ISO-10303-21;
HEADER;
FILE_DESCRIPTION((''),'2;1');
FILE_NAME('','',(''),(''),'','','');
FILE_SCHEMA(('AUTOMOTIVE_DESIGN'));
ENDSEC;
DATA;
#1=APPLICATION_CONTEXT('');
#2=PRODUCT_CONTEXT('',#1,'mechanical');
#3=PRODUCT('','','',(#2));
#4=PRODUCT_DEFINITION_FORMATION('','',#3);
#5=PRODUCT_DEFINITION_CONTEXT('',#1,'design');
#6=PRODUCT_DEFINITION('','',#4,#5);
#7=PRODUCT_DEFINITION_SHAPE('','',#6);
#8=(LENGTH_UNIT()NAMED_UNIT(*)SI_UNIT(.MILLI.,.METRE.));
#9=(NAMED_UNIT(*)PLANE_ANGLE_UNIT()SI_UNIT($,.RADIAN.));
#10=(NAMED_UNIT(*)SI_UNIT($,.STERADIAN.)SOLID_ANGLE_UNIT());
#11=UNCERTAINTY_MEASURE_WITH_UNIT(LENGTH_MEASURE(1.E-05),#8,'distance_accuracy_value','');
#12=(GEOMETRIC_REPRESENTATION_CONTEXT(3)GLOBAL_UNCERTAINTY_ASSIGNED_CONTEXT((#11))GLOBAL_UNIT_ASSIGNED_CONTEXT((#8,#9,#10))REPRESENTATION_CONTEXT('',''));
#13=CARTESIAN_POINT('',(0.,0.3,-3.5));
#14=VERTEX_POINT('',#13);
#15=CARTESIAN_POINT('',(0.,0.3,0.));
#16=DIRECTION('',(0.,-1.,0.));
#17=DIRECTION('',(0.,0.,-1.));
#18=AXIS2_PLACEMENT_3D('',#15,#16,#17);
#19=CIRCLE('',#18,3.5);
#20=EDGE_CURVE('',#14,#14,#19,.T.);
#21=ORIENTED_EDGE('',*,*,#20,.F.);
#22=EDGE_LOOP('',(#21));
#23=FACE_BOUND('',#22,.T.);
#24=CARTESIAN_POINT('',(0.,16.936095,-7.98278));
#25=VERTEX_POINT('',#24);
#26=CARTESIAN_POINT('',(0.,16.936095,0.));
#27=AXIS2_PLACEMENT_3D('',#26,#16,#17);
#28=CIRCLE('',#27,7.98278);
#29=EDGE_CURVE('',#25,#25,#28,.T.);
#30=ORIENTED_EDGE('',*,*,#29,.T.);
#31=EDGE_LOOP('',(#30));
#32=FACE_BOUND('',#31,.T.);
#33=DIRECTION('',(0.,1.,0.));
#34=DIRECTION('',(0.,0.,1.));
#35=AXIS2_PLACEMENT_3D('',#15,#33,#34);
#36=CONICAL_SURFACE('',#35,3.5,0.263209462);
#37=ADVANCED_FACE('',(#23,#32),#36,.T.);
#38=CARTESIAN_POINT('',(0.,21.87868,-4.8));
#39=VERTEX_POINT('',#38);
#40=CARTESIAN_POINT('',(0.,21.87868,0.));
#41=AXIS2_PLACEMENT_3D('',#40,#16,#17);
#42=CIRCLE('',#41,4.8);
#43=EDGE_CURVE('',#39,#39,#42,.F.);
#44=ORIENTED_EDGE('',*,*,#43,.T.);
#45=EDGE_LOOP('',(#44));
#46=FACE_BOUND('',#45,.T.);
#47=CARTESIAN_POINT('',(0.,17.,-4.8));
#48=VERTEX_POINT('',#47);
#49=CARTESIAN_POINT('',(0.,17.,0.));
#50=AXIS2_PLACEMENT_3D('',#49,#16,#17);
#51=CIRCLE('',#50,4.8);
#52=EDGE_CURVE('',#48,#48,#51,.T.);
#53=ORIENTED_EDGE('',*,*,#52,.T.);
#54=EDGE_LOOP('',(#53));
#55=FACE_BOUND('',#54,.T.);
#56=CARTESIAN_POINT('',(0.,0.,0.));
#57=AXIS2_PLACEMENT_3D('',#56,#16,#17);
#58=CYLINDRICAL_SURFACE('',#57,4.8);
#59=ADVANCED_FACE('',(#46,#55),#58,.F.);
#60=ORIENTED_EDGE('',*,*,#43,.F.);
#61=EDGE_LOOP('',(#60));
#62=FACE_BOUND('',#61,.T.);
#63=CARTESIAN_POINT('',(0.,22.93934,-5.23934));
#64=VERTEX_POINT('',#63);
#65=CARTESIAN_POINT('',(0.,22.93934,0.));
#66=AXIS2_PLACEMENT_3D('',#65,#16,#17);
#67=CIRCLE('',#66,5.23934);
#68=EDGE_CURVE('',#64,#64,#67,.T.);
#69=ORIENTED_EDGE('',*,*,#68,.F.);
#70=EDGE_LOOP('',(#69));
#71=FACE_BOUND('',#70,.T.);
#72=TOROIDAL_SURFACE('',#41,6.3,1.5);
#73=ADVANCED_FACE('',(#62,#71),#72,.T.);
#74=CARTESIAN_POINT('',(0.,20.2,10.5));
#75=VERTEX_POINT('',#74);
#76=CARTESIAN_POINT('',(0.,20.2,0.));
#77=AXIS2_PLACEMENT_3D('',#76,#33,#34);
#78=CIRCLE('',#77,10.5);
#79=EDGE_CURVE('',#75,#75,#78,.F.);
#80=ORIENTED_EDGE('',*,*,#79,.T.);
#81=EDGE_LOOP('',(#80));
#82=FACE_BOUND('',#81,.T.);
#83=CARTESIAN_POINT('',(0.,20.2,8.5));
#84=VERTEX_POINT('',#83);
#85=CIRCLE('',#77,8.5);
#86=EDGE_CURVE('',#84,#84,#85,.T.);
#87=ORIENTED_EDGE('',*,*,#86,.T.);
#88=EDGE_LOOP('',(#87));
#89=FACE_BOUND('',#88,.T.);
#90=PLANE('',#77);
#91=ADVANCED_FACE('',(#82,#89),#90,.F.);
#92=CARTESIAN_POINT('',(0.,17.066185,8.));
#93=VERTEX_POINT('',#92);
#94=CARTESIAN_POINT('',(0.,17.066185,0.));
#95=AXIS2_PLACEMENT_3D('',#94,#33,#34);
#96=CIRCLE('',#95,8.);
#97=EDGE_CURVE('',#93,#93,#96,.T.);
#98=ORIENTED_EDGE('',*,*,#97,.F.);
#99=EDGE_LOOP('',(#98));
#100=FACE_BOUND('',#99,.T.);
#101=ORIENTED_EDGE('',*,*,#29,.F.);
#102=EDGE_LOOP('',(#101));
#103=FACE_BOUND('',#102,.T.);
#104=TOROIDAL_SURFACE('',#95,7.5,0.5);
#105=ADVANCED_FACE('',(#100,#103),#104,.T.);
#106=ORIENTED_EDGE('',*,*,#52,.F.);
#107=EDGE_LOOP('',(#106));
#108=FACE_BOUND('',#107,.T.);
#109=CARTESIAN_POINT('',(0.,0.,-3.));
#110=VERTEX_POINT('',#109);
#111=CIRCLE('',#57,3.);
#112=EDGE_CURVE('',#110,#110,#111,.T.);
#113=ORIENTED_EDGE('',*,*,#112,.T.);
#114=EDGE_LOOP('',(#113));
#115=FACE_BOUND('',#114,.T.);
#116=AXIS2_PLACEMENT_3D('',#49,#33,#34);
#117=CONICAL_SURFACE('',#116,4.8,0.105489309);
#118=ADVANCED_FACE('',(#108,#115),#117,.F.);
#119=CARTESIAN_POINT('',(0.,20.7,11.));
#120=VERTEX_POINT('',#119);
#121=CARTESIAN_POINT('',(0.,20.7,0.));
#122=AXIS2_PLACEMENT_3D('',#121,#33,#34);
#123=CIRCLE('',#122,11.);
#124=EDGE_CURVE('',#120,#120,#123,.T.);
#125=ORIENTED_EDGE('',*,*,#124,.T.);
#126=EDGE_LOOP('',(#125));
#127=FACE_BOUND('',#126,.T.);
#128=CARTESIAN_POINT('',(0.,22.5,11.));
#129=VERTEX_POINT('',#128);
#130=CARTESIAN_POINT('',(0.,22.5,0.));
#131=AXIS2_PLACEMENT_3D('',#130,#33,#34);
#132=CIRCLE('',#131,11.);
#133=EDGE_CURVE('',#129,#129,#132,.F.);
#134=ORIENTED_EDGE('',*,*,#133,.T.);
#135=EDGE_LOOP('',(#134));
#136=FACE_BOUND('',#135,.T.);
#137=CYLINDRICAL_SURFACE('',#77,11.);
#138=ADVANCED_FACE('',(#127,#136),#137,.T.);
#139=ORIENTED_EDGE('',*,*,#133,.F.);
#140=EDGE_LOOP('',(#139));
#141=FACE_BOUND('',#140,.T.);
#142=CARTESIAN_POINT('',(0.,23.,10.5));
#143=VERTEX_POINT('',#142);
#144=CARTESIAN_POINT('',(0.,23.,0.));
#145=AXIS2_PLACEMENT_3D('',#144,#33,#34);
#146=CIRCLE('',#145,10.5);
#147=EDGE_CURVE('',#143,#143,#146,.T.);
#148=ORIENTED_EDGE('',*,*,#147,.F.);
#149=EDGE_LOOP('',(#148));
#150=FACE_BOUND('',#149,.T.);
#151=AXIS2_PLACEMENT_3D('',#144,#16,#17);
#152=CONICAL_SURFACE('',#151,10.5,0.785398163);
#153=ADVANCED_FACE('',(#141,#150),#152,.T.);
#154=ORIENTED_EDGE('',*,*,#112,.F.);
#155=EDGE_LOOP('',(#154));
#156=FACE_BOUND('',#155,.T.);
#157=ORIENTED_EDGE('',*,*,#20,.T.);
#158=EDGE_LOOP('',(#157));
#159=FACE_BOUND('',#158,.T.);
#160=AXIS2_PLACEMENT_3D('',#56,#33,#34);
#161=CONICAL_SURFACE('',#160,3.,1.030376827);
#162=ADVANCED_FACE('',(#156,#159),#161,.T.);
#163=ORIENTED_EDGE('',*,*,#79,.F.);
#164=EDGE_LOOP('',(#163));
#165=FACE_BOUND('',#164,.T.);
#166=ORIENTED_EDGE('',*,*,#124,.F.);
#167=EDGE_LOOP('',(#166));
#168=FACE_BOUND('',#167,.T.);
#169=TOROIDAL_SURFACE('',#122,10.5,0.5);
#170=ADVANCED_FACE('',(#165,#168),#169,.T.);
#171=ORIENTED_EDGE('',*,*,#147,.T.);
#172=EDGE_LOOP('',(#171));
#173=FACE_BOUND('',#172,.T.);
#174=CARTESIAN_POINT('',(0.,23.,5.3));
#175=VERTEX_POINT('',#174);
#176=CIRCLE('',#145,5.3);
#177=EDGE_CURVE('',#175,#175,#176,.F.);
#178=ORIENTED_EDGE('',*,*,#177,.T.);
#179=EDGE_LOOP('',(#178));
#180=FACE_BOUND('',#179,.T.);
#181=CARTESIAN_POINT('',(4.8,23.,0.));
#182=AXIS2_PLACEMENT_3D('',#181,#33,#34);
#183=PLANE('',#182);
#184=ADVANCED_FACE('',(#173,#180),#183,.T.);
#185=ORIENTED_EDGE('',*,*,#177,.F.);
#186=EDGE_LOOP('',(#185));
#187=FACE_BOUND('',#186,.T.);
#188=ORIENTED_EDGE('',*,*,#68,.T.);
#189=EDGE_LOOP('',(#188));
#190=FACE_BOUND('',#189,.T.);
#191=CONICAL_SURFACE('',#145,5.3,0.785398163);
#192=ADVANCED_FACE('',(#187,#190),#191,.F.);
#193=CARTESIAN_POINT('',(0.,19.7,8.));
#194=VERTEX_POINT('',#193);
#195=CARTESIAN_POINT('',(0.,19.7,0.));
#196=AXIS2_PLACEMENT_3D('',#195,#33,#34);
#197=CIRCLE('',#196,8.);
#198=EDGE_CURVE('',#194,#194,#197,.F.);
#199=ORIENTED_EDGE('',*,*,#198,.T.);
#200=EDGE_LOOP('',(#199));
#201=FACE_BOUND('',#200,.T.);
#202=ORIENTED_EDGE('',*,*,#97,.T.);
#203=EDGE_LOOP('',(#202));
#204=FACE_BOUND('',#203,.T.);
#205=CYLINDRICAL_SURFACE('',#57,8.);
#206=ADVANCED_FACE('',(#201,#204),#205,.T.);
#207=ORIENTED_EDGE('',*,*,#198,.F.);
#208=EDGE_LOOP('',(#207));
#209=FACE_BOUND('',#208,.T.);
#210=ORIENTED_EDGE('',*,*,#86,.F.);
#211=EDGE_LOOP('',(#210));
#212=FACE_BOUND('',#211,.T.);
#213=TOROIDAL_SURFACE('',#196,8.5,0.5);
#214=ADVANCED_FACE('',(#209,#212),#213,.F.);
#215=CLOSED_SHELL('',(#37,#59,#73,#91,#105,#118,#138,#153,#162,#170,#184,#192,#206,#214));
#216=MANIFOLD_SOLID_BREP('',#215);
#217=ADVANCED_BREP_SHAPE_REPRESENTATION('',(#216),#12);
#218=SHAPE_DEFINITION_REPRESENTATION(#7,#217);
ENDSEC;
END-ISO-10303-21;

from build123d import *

# Parameters (mm, degrees)
FL_CHE_VERSCHIEBEN1_BY          = 1
AUFSATZ_LINEAR_START            = -2.8
SKIZZE2_R                       = 11
SKIZZE2_R_2                     = 4.8
AUFSATZ_LINEAR_AUSTRAGEN1_DEPTH = 2.8
VERRUNDUNG1_R                   = 0.5
FASE1_SIZE                      = 0.5
VERRUNDUNG2_R                   = 1.5


with BuildPart() as part:
    # Skizze1 → Rotation1 (revolve)
    with BuildSketch(Plane.XY, mode=Mode.PRIVATE) as rotation1_sk:
        Polygon((3, 0), (4.8, 17), (4.8, 22), (8, 22), (8, 17), (3.5, 0.3), align=None)
    revolve(rotation1_sk.sketch.rotate(Axis((0, 0, 0), (0, 1, 0)), 90), axis=Axis((0, 0, 0), (0, 1, 0)))

    # Fläche verschieben1: a face moved outward by 1.0
    extrude(part.faces().sort_by_distance((6.4, 22, 0))[0], amount=FL_CHE_VERSCHIEBEN1_BY, dir=(0, 1, 0))

    # Skizze2 → Aufsatz-Linear austragen1 (add)
    with BuildSketch(Plane(origin=(0, 23, 0), x_dir=(1, 0, 0), z_dir=(0, 1, 0)).offset(AUFSATZ_LINEAR_START)):
        with Locations(Location((0, 0, 0), (0, 0, 270))):
            Circle(SKIZZE2_R)
        with Locations(Location((0, 0, 0), (0, 0, 90))):
            Circle(SKIZZE2_R_2, mode=Mode.SUBTRACT)
    extrude(amount=AUFSATZ_LINEAR_AUSTRAGEN1_DEPTH)

    # Verrundung1
    verrundung1_edges = [part.edges().sort_by_distance(p)[0] for p in [
        (0, 20.2, 8),
        (0, 20.2, -11),
        (0, 17, 8),
    ]]
    fillet(verrundung1_edges, radius=VERRUNDUNG1_R)

    # Fase1
    fase1_edges = [part.edges().sort_by_distance(p)[0] for p in [
        (0, 23, -11),
        (0, 23, 4.8),
    ]]
    chamfer(fase1_edges, length=FASE1_SIZE)

    # Verrundung2
    verrundung2_edges = [part.edges().sort_by_distance(p)[0] for p in [
        (0, 22.5, 4.8),
    ]]
    fillet(verrundung2_edges, radius=VERRUNDUNG2_R)


solid = part.part
